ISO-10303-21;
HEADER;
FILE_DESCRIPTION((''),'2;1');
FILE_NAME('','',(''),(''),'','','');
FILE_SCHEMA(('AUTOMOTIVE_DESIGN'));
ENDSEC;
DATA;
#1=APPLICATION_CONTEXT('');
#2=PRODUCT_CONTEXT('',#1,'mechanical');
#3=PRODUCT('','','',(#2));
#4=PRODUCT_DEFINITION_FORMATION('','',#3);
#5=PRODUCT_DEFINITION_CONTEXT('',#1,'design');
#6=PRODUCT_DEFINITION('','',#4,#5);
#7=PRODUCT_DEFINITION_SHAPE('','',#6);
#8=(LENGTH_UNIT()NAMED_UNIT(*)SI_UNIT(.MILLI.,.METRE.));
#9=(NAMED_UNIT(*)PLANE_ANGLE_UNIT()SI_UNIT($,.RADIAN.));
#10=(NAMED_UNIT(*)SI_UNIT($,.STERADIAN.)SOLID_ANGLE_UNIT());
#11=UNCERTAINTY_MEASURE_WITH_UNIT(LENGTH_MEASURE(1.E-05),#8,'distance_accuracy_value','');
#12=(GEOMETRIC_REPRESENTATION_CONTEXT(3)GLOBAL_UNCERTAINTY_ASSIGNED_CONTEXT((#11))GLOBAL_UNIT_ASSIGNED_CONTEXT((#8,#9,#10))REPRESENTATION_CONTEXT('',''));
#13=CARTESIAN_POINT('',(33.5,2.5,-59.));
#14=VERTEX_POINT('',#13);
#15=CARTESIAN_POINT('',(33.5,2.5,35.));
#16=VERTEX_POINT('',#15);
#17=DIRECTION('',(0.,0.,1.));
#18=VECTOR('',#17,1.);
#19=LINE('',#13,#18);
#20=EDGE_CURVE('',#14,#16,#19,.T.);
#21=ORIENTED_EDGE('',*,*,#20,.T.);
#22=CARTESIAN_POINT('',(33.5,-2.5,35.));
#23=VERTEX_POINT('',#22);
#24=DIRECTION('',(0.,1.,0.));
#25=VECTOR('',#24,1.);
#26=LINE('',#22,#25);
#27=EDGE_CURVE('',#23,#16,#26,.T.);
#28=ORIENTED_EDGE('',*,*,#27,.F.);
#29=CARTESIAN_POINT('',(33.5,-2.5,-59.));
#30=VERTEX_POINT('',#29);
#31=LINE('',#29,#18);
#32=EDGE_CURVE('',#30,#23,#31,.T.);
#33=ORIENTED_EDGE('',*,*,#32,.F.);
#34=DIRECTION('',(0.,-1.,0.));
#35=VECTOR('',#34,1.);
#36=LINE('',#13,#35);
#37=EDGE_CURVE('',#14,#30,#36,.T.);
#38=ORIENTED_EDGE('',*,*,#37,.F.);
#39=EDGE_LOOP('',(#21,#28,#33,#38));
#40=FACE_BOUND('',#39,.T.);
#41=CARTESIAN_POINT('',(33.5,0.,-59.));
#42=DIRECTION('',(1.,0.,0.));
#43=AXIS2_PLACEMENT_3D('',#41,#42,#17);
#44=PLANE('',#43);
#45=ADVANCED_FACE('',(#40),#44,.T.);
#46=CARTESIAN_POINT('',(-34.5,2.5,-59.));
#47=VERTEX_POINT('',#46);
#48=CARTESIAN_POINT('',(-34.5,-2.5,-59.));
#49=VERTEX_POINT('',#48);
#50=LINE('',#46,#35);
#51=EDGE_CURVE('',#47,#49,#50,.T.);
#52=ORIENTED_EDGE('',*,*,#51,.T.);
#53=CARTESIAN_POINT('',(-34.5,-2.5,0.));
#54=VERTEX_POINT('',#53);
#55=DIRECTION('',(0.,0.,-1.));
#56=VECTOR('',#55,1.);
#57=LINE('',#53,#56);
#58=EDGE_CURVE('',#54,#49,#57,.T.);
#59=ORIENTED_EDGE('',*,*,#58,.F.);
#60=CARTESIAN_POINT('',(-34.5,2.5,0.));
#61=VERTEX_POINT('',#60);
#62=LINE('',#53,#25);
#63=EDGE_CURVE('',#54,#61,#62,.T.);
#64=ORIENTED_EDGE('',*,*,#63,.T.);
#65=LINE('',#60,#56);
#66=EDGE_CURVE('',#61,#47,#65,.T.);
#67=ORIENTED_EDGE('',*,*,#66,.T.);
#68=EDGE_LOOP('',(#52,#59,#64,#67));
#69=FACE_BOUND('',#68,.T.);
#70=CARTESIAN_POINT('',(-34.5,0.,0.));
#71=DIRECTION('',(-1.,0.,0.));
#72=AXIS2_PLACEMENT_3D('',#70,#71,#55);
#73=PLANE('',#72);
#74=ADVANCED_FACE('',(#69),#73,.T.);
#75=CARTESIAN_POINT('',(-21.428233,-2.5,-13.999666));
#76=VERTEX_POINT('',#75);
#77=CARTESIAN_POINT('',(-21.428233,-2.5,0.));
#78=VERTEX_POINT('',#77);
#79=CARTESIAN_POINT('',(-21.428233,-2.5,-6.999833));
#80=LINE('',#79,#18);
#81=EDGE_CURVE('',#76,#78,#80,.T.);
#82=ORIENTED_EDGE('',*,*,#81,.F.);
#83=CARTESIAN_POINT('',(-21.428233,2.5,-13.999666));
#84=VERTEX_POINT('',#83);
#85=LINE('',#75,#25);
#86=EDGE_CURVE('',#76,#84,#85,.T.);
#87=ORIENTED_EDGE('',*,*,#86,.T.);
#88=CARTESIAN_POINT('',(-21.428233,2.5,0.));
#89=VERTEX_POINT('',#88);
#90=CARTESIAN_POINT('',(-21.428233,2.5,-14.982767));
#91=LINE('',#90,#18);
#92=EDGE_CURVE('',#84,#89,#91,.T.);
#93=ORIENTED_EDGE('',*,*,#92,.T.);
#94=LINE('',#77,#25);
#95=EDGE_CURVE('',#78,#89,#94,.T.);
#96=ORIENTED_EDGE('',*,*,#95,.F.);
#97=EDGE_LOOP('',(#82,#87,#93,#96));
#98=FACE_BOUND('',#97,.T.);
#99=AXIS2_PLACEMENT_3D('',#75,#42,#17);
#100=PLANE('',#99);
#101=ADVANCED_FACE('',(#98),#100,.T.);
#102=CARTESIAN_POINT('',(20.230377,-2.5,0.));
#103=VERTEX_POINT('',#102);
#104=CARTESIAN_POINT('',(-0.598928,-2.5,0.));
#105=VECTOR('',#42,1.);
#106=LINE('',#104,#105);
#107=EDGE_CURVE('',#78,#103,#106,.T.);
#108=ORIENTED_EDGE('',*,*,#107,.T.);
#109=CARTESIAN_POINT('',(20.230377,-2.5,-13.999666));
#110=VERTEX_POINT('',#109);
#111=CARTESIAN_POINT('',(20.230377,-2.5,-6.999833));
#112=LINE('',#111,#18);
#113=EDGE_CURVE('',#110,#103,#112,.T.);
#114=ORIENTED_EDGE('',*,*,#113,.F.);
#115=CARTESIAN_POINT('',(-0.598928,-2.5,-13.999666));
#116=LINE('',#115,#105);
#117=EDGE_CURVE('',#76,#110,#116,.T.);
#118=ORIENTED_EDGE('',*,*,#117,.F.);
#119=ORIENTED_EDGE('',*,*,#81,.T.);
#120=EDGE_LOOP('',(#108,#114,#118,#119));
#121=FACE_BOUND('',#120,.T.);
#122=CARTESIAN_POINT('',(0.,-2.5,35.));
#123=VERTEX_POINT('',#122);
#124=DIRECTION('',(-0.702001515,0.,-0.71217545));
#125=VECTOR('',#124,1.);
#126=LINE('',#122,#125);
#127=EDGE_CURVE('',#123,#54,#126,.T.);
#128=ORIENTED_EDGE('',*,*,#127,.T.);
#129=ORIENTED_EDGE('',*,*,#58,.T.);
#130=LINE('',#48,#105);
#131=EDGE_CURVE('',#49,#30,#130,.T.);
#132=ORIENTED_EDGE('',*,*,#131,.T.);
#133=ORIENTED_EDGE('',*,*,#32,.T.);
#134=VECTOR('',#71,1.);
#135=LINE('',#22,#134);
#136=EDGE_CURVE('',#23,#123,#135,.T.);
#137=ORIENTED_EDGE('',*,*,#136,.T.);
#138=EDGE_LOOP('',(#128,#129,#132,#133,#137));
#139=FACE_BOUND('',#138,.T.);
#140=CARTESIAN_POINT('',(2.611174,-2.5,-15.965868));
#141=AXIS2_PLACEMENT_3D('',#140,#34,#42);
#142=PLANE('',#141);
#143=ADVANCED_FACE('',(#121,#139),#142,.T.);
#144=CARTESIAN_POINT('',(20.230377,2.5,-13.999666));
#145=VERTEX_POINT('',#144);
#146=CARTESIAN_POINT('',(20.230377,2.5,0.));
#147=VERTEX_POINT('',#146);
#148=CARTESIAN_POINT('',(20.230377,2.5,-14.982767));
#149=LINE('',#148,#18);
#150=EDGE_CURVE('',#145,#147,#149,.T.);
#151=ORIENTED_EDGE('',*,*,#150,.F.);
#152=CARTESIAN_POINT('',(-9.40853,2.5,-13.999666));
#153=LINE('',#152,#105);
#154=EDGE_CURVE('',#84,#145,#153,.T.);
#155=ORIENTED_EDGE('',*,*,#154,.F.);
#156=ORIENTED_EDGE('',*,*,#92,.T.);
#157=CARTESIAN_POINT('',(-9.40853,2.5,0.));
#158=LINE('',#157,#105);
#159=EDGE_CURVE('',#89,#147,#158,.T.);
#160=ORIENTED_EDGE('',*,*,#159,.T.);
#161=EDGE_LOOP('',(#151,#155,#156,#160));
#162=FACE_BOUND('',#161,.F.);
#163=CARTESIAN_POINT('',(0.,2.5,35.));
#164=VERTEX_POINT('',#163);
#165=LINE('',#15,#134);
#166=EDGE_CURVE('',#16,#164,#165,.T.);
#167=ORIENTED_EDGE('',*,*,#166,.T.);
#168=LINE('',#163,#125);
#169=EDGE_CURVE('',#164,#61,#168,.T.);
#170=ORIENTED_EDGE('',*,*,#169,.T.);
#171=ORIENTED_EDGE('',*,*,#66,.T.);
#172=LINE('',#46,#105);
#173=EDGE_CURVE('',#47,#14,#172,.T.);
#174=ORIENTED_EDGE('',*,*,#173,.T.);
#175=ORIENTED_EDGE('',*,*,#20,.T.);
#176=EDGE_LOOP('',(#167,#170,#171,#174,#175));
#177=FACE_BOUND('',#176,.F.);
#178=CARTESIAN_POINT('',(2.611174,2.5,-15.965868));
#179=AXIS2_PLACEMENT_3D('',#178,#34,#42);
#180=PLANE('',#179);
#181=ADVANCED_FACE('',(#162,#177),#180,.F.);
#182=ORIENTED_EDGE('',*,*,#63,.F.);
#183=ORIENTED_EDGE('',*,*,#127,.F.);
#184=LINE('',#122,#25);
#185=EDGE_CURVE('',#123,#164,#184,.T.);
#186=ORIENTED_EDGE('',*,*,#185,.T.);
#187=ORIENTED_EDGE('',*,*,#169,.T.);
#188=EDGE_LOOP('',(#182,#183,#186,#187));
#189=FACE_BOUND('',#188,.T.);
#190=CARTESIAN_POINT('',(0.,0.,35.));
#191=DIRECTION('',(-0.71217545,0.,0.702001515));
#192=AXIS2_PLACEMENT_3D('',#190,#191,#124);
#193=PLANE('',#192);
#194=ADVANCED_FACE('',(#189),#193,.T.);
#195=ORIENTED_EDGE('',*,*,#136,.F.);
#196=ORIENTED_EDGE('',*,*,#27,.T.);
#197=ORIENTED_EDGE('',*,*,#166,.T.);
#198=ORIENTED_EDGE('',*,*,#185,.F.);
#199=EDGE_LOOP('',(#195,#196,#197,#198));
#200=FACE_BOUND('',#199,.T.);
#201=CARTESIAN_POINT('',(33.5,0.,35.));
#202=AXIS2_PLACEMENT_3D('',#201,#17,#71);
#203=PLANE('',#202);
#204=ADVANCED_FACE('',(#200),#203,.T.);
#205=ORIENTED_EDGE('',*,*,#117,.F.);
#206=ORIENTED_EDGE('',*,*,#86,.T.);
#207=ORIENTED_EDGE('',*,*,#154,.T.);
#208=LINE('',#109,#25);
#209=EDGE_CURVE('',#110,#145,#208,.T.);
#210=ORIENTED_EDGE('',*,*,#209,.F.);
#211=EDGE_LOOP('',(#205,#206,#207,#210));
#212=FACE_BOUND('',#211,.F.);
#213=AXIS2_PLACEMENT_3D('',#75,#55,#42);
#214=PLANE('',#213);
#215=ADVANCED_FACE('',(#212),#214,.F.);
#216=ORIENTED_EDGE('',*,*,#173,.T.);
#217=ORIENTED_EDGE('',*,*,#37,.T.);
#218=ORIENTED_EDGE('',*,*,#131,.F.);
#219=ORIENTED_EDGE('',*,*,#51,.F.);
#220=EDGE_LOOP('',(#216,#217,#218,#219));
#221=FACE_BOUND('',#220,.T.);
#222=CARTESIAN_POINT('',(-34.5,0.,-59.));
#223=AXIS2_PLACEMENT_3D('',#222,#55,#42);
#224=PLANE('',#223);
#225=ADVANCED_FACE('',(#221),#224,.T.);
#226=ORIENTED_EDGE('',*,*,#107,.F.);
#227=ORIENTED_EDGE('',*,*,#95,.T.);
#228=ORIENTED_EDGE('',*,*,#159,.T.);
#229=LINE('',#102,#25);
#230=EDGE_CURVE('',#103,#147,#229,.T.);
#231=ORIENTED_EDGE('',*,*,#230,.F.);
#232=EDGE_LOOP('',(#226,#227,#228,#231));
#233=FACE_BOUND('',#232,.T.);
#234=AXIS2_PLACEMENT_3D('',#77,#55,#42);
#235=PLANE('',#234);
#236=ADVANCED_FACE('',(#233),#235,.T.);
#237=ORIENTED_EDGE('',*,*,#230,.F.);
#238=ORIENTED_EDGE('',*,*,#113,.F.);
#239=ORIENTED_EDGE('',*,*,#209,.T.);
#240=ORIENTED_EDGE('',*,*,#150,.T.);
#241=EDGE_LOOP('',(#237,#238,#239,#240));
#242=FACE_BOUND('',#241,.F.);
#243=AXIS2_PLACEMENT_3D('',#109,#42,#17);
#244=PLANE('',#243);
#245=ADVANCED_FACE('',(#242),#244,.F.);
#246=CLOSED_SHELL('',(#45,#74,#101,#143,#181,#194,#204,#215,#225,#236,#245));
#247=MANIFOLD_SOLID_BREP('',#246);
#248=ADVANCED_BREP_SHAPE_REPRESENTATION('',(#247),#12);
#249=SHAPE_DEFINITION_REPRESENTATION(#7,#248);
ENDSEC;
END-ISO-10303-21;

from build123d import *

# Parameters (mm, degrees)
F1_DEPTH = 2.5
F2_W     = 41.65861
F2_H     = 13.999665
F3_DEPTH = 25


with BuildPart() as f1:
    # F0 (on Front) → F1 (new body, symmetric)
    with BuildSketch(Plane.XZ):
        Polygon((-34.5, 0), (-34.5, -59), (33.5, -59), (33.5, 35), (0, 35), align=None)
    extrude(amount=F1_DEPTH, both=True)

    # F2 (on face) → F3 (cut)
    with BuildSketch(Plane.XZ.offset(2.5)):
        with Locations((-0.598928, -6.999833)):
            Rectangle(F2_W, F2_H)
    extrude(amount=-F3_DEPTH, mode=Mode.SUBTRACT)


solid = f1.part
